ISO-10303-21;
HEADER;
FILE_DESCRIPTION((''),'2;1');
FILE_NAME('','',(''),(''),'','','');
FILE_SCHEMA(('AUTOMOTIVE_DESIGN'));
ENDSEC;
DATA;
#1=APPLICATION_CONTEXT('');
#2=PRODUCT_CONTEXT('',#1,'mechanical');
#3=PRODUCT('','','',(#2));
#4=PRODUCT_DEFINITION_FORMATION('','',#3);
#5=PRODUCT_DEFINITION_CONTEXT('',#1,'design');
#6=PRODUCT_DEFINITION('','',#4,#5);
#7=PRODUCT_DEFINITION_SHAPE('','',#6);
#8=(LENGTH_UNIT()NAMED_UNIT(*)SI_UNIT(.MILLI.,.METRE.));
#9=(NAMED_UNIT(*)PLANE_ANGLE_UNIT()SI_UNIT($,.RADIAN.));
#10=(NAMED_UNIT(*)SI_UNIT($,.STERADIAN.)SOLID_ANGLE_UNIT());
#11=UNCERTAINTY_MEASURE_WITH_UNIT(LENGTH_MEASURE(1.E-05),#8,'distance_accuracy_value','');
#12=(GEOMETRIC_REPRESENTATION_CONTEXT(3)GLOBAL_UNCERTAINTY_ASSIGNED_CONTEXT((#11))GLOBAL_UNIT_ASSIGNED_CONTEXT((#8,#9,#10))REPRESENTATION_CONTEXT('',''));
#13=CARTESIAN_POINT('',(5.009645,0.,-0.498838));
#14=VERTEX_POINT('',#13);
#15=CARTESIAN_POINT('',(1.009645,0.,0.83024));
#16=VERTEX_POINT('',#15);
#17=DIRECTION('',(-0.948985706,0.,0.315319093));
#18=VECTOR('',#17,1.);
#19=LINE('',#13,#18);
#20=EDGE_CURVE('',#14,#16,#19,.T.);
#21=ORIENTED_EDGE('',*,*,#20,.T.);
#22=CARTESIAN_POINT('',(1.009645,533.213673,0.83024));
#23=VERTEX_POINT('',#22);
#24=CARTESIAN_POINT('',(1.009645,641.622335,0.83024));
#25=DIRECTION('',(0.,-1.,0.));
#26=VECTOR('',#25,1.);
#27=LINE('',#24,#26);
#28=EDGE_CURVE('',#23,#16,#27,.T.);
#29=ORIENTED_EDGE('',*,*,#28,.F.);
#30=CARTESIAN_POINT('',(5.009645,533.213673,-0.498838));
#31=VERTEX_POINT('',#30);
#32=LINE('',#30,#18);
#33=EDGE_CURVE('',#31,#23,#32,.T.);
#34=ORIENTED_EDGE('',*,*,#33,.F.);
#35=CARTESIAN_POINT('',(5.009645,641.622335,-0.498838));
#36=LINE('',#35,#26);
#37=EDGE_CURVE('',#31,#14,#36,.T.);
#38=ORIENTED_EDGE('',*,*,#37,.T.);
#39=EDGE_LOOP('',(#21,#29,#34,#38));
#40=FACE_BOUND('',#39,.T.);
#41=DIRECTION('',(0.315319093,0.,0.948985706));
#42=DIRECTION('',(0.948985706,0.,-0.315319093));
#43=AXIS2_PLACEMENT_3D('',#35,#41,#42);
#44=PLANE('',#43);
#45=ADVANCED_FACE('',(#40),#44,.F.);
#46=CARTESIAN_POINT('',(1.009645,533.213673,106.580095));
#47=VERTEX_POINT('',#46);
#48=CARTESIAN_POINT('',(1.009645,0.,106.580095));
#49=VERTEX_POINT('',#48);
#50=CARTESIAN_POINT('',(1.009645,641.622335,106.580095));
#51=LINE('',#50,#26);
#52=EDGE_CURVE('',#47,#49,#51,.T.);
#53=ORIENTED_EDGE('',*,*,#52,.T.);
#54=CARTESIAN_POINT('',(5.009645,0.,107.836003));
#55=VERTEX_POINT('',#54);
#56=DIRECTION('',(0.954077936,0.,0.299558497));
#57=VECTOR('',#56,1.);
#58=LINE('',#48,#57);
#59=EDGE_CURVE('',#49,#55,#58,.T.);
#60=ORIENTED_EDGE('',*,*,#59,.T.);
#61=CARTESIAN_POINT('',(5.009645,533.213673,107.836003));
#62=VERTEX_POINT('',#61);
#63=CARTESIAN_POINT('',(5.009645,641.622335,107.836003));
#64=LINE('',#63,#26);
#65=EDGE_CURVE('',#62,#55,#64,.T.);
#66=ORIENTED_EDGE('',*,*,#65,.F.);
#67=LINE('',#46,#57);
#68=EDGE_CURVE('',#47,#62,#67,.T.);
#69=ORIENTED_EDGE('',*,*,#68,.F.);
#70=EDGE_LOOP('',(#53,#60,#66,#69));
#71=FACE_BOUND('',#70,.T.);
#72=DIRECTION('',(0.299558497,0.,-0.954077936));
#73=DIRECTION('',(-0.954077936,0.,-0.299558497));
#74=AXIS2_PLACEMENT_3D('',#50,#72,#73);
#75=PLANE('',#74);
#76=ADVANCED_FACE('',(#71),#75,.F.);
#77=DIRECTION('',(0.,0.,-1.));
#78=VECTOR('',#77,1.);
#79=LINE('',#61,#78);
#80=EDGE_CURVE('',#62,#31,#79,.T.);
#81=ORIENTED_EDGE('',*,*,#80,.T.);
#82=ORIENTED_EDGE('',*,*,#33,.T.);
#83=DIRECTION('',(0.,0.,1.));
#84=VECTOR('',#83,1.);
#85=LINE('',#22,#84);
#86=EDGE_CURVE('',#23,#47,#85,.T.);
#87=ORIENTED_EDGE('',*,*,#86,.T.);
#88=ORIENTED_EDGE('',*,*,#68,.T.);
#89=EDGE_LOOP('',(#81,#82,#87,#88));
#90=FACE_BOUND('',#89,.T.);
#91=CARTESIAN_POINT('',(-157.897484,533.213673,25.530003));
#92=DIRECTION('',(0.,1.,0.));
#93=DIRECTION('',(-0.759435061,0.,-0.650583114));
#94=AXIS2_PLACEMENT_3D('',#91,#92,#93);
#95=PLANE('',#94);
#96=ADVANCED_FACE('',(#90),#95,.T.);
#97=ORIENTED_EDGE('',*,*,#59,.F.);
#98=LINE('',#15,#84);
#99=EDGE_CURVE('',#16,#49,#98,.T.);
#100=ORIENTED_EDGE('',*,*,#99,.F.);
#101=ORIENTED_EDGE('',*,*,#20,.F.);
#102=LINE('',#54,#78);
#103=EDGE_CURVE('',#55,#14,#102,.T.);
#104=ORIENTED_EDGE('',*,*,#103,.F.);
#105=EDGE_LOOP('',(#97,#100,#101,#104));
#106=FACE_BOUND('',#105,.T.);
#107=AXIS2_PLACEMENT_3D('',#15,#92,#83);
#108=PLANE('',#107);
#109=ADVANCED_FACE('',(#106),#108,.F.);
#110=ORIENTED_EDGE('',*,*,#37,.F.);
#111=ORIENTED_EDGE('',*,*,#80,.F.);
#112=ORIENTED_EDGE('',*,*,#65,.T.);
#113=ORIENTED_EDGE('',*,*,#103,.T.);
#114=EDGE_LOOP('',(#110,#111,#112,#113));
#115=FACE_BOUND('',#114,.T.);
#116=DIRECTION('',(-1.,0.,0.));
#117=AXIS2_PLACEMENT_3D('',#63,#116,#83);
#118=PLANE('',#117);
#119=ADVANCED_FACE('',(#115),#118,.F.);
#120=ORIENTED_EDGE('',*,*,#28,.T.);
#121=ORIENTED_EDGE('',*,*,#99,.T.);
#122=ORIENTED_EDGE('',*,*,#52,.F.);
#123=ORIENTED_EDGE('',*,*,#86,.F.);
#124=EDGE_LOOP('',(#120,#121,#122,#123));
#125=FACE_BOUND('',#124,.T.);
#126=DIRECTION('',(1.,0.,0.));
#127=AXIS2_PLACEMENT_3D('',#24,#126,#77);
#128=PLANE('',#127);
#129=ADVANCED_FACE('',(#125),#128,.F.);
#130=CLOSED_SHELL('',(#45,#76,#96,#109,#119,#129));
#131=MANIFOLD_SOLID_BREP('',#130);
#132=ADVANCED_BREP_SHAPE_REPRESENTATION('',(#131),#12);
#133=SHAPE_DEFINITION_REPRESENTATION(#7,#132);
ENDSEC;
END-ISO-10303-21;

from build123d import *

# Parameters (mm, degrees)
EXTRUDE_1_DEPTH = 533.213673317


with BuildPart() as part:
    # Эскиз1 → Вытянуть1 (new body)
    with BuildSketch(Plane(origin=(0, 0, 0), x_dir=(1, 0, 0), z_dir=(0, 1, 0))):
        Polygon((1.009644716, -0.830240311), (1.009644716, -106.580095426), (5.009644716, -107.836003295), (5.009644716, 0.498838058), align=None)
    extrude(amount=EXTRUDE_1_DEPTH)


solid = part.part
